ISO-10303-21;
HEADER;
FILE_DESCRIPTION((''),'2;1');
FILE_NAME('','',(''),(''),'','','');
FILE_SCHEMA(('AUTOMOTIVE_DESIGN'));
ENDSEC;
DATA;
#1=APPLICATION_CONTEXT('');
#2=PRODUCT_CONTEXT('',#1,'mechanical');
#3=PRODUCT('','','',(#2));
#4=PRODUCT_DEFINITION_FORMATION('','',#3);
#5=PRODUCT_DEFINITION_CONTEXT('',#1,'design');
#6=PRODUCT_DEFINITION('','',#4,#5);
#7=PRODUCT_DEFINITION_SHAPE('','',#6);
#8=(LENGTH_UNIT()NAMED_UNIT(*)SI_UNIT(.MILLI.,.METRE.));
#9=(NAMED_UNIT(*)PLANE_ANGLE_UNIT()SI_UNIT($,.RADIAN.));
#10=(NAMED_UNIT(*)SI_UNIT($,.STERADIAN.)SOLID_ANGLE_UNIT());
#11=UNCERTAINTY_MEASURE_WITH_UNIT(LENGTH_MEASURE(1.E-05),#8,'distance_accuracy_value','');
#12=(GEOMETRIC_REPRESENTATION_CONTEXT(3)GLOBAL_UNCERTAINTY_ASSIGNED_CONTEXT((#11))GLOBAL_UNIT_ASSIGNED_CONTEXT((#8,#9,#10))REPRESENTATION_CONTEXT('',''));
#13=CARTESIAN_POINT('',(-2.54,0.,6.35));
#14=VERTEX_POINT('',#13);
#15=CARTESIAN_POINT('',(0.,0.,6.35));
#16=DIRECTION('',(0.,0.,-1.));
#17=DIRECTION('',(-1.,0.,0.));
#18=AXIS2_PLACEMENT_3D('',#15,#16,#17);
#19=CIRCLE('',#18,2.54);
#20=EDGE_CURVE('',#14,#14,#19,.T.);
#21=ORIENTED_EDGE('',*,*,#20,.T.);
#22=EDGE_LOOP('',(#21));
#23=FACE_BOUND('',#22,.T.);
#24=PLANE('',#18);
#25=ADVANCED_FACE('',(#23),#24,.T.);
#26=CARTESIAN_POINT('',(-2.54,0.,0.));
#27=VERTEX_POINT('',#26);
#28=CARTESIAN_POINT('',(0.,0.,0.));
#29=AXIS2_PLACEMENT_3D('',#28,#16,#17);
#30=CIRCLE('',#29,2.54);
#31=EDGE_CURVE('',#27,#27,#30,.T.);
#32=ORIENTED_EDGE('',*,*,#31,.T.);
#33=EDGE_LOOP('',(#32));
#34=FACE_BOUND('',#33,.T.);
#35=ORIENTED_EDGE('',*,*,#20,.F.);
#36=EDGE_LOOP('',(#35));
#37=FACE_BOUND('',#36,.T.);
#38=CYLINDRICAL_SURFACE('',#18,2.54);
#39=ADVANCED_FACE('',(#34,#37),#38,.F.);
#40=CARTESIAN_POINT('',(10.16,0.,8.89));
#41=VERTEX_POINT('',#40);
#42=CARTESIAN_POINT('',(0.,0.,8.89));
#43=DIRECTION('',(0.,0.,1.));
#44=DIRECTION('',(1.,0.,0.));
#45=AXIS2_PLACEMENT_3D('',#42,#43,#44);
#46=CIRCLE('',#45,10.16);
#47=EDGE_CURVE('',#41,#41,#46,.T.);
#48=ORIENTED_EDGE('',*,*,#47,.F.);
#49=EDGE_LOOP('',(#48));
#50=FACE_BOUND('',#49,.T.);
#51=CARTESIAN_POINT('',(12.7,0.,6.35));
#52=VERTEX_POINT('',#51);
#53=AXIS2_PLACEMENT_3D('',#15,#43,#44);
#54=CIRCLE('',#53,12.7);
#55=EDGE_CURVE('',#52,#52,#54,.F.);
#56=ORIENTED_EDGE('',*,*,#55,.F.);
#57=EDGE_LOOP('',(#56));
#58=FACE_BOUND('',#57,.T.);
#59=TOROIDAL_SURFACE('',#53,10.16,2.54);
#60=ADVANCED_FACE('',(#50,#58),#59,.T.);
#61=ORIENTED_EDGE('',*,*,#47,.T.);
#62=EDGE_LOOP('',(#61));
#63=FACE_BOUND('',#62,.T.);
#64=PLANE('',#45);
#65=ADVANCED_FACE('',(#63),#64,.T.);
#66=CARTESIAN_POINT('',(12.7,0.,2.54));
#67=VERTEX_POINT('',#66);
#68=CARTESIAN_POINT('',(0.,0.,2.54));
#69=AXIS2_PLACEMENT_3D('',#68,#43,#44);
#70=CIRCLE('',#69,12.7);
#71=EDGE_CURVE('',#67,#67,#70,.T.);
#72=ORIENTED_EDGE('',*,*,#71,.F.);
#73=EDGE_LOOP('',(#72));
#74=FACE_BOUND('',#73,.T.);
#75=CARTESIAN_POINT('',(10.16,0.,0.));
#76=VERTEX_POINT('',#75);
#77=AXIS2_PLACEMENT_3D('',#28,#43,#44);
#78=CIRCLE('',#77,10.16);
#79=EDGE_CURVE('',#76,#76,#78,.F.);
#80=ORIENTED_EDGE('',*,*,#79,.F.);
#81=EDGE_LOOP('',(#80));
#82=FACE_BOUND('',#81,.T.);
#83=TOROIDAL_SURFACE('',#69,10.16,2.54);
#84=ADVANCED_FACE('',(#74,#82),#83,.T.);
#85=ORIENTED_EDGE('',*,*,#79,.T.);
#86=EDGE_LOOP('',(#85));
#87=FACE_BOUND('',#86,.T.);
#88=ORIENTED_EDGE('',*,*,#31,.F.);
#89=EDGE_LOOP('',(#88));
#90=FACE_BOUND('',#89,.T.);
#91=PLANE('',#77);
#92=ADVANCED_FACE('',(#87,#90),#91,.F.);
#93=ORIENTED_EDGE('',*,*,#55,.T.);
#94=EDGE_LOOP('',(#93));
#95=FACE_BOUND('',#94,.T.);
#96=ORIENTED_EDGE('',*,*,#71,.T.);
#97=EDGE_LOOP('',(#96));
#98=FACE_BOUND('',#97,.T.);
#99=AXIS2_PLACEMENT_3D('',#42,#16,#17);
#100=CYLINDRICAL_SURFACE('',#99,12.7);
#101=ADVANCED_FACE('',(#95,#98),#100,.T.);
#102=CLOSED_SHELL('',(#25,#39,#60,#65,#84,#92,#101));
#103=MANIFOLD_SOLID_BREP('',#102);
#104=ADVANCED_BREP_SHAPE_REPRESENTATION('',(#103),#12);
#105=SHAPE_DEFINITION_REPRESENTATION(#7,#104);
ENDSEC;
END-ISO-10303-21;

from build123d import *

# Parameters (mm, degrees)
SKETCH1_R           = 12.7
BOSS_EXTRUDE1_DEPTH = 8.89
SKETCH2_R           = 2.54
CUT_EXTRUDE1_DEPTH  = 6.35
FILLET1_R           = 2.54


with BuildPart() as part:
    # Sketch1 → Boss-Extrude1 (new body)
    with BuildSketch(Plane.XY):
        Circle(SKETCH1_R)
    extrude(amount=BOSS_EXTRUDE1_DEPTH)

    # Sketch2 → Cut-Extrude1 (cut)
    with BuildSketch(Plane(origin=(0, 0, 0), x_dir=(-1, 0, 0), z_dir=(0, 0, -1))):
        Circle(SKETCH2_R)
    extrude(amount=-CUT_EXTRUDE1_DEPTH, mode=Mode.SUBTRACT)

    # Fillet1
    fillet1_edges = [part.edges().sort_by_distance(p)[0] for p in [
        (-12.7, 0, 0),
        (-12.7, 0, 8.89),
    ]]
    fillet(fillet1_edges, radius=FILLET1_R)


solid = part.part
